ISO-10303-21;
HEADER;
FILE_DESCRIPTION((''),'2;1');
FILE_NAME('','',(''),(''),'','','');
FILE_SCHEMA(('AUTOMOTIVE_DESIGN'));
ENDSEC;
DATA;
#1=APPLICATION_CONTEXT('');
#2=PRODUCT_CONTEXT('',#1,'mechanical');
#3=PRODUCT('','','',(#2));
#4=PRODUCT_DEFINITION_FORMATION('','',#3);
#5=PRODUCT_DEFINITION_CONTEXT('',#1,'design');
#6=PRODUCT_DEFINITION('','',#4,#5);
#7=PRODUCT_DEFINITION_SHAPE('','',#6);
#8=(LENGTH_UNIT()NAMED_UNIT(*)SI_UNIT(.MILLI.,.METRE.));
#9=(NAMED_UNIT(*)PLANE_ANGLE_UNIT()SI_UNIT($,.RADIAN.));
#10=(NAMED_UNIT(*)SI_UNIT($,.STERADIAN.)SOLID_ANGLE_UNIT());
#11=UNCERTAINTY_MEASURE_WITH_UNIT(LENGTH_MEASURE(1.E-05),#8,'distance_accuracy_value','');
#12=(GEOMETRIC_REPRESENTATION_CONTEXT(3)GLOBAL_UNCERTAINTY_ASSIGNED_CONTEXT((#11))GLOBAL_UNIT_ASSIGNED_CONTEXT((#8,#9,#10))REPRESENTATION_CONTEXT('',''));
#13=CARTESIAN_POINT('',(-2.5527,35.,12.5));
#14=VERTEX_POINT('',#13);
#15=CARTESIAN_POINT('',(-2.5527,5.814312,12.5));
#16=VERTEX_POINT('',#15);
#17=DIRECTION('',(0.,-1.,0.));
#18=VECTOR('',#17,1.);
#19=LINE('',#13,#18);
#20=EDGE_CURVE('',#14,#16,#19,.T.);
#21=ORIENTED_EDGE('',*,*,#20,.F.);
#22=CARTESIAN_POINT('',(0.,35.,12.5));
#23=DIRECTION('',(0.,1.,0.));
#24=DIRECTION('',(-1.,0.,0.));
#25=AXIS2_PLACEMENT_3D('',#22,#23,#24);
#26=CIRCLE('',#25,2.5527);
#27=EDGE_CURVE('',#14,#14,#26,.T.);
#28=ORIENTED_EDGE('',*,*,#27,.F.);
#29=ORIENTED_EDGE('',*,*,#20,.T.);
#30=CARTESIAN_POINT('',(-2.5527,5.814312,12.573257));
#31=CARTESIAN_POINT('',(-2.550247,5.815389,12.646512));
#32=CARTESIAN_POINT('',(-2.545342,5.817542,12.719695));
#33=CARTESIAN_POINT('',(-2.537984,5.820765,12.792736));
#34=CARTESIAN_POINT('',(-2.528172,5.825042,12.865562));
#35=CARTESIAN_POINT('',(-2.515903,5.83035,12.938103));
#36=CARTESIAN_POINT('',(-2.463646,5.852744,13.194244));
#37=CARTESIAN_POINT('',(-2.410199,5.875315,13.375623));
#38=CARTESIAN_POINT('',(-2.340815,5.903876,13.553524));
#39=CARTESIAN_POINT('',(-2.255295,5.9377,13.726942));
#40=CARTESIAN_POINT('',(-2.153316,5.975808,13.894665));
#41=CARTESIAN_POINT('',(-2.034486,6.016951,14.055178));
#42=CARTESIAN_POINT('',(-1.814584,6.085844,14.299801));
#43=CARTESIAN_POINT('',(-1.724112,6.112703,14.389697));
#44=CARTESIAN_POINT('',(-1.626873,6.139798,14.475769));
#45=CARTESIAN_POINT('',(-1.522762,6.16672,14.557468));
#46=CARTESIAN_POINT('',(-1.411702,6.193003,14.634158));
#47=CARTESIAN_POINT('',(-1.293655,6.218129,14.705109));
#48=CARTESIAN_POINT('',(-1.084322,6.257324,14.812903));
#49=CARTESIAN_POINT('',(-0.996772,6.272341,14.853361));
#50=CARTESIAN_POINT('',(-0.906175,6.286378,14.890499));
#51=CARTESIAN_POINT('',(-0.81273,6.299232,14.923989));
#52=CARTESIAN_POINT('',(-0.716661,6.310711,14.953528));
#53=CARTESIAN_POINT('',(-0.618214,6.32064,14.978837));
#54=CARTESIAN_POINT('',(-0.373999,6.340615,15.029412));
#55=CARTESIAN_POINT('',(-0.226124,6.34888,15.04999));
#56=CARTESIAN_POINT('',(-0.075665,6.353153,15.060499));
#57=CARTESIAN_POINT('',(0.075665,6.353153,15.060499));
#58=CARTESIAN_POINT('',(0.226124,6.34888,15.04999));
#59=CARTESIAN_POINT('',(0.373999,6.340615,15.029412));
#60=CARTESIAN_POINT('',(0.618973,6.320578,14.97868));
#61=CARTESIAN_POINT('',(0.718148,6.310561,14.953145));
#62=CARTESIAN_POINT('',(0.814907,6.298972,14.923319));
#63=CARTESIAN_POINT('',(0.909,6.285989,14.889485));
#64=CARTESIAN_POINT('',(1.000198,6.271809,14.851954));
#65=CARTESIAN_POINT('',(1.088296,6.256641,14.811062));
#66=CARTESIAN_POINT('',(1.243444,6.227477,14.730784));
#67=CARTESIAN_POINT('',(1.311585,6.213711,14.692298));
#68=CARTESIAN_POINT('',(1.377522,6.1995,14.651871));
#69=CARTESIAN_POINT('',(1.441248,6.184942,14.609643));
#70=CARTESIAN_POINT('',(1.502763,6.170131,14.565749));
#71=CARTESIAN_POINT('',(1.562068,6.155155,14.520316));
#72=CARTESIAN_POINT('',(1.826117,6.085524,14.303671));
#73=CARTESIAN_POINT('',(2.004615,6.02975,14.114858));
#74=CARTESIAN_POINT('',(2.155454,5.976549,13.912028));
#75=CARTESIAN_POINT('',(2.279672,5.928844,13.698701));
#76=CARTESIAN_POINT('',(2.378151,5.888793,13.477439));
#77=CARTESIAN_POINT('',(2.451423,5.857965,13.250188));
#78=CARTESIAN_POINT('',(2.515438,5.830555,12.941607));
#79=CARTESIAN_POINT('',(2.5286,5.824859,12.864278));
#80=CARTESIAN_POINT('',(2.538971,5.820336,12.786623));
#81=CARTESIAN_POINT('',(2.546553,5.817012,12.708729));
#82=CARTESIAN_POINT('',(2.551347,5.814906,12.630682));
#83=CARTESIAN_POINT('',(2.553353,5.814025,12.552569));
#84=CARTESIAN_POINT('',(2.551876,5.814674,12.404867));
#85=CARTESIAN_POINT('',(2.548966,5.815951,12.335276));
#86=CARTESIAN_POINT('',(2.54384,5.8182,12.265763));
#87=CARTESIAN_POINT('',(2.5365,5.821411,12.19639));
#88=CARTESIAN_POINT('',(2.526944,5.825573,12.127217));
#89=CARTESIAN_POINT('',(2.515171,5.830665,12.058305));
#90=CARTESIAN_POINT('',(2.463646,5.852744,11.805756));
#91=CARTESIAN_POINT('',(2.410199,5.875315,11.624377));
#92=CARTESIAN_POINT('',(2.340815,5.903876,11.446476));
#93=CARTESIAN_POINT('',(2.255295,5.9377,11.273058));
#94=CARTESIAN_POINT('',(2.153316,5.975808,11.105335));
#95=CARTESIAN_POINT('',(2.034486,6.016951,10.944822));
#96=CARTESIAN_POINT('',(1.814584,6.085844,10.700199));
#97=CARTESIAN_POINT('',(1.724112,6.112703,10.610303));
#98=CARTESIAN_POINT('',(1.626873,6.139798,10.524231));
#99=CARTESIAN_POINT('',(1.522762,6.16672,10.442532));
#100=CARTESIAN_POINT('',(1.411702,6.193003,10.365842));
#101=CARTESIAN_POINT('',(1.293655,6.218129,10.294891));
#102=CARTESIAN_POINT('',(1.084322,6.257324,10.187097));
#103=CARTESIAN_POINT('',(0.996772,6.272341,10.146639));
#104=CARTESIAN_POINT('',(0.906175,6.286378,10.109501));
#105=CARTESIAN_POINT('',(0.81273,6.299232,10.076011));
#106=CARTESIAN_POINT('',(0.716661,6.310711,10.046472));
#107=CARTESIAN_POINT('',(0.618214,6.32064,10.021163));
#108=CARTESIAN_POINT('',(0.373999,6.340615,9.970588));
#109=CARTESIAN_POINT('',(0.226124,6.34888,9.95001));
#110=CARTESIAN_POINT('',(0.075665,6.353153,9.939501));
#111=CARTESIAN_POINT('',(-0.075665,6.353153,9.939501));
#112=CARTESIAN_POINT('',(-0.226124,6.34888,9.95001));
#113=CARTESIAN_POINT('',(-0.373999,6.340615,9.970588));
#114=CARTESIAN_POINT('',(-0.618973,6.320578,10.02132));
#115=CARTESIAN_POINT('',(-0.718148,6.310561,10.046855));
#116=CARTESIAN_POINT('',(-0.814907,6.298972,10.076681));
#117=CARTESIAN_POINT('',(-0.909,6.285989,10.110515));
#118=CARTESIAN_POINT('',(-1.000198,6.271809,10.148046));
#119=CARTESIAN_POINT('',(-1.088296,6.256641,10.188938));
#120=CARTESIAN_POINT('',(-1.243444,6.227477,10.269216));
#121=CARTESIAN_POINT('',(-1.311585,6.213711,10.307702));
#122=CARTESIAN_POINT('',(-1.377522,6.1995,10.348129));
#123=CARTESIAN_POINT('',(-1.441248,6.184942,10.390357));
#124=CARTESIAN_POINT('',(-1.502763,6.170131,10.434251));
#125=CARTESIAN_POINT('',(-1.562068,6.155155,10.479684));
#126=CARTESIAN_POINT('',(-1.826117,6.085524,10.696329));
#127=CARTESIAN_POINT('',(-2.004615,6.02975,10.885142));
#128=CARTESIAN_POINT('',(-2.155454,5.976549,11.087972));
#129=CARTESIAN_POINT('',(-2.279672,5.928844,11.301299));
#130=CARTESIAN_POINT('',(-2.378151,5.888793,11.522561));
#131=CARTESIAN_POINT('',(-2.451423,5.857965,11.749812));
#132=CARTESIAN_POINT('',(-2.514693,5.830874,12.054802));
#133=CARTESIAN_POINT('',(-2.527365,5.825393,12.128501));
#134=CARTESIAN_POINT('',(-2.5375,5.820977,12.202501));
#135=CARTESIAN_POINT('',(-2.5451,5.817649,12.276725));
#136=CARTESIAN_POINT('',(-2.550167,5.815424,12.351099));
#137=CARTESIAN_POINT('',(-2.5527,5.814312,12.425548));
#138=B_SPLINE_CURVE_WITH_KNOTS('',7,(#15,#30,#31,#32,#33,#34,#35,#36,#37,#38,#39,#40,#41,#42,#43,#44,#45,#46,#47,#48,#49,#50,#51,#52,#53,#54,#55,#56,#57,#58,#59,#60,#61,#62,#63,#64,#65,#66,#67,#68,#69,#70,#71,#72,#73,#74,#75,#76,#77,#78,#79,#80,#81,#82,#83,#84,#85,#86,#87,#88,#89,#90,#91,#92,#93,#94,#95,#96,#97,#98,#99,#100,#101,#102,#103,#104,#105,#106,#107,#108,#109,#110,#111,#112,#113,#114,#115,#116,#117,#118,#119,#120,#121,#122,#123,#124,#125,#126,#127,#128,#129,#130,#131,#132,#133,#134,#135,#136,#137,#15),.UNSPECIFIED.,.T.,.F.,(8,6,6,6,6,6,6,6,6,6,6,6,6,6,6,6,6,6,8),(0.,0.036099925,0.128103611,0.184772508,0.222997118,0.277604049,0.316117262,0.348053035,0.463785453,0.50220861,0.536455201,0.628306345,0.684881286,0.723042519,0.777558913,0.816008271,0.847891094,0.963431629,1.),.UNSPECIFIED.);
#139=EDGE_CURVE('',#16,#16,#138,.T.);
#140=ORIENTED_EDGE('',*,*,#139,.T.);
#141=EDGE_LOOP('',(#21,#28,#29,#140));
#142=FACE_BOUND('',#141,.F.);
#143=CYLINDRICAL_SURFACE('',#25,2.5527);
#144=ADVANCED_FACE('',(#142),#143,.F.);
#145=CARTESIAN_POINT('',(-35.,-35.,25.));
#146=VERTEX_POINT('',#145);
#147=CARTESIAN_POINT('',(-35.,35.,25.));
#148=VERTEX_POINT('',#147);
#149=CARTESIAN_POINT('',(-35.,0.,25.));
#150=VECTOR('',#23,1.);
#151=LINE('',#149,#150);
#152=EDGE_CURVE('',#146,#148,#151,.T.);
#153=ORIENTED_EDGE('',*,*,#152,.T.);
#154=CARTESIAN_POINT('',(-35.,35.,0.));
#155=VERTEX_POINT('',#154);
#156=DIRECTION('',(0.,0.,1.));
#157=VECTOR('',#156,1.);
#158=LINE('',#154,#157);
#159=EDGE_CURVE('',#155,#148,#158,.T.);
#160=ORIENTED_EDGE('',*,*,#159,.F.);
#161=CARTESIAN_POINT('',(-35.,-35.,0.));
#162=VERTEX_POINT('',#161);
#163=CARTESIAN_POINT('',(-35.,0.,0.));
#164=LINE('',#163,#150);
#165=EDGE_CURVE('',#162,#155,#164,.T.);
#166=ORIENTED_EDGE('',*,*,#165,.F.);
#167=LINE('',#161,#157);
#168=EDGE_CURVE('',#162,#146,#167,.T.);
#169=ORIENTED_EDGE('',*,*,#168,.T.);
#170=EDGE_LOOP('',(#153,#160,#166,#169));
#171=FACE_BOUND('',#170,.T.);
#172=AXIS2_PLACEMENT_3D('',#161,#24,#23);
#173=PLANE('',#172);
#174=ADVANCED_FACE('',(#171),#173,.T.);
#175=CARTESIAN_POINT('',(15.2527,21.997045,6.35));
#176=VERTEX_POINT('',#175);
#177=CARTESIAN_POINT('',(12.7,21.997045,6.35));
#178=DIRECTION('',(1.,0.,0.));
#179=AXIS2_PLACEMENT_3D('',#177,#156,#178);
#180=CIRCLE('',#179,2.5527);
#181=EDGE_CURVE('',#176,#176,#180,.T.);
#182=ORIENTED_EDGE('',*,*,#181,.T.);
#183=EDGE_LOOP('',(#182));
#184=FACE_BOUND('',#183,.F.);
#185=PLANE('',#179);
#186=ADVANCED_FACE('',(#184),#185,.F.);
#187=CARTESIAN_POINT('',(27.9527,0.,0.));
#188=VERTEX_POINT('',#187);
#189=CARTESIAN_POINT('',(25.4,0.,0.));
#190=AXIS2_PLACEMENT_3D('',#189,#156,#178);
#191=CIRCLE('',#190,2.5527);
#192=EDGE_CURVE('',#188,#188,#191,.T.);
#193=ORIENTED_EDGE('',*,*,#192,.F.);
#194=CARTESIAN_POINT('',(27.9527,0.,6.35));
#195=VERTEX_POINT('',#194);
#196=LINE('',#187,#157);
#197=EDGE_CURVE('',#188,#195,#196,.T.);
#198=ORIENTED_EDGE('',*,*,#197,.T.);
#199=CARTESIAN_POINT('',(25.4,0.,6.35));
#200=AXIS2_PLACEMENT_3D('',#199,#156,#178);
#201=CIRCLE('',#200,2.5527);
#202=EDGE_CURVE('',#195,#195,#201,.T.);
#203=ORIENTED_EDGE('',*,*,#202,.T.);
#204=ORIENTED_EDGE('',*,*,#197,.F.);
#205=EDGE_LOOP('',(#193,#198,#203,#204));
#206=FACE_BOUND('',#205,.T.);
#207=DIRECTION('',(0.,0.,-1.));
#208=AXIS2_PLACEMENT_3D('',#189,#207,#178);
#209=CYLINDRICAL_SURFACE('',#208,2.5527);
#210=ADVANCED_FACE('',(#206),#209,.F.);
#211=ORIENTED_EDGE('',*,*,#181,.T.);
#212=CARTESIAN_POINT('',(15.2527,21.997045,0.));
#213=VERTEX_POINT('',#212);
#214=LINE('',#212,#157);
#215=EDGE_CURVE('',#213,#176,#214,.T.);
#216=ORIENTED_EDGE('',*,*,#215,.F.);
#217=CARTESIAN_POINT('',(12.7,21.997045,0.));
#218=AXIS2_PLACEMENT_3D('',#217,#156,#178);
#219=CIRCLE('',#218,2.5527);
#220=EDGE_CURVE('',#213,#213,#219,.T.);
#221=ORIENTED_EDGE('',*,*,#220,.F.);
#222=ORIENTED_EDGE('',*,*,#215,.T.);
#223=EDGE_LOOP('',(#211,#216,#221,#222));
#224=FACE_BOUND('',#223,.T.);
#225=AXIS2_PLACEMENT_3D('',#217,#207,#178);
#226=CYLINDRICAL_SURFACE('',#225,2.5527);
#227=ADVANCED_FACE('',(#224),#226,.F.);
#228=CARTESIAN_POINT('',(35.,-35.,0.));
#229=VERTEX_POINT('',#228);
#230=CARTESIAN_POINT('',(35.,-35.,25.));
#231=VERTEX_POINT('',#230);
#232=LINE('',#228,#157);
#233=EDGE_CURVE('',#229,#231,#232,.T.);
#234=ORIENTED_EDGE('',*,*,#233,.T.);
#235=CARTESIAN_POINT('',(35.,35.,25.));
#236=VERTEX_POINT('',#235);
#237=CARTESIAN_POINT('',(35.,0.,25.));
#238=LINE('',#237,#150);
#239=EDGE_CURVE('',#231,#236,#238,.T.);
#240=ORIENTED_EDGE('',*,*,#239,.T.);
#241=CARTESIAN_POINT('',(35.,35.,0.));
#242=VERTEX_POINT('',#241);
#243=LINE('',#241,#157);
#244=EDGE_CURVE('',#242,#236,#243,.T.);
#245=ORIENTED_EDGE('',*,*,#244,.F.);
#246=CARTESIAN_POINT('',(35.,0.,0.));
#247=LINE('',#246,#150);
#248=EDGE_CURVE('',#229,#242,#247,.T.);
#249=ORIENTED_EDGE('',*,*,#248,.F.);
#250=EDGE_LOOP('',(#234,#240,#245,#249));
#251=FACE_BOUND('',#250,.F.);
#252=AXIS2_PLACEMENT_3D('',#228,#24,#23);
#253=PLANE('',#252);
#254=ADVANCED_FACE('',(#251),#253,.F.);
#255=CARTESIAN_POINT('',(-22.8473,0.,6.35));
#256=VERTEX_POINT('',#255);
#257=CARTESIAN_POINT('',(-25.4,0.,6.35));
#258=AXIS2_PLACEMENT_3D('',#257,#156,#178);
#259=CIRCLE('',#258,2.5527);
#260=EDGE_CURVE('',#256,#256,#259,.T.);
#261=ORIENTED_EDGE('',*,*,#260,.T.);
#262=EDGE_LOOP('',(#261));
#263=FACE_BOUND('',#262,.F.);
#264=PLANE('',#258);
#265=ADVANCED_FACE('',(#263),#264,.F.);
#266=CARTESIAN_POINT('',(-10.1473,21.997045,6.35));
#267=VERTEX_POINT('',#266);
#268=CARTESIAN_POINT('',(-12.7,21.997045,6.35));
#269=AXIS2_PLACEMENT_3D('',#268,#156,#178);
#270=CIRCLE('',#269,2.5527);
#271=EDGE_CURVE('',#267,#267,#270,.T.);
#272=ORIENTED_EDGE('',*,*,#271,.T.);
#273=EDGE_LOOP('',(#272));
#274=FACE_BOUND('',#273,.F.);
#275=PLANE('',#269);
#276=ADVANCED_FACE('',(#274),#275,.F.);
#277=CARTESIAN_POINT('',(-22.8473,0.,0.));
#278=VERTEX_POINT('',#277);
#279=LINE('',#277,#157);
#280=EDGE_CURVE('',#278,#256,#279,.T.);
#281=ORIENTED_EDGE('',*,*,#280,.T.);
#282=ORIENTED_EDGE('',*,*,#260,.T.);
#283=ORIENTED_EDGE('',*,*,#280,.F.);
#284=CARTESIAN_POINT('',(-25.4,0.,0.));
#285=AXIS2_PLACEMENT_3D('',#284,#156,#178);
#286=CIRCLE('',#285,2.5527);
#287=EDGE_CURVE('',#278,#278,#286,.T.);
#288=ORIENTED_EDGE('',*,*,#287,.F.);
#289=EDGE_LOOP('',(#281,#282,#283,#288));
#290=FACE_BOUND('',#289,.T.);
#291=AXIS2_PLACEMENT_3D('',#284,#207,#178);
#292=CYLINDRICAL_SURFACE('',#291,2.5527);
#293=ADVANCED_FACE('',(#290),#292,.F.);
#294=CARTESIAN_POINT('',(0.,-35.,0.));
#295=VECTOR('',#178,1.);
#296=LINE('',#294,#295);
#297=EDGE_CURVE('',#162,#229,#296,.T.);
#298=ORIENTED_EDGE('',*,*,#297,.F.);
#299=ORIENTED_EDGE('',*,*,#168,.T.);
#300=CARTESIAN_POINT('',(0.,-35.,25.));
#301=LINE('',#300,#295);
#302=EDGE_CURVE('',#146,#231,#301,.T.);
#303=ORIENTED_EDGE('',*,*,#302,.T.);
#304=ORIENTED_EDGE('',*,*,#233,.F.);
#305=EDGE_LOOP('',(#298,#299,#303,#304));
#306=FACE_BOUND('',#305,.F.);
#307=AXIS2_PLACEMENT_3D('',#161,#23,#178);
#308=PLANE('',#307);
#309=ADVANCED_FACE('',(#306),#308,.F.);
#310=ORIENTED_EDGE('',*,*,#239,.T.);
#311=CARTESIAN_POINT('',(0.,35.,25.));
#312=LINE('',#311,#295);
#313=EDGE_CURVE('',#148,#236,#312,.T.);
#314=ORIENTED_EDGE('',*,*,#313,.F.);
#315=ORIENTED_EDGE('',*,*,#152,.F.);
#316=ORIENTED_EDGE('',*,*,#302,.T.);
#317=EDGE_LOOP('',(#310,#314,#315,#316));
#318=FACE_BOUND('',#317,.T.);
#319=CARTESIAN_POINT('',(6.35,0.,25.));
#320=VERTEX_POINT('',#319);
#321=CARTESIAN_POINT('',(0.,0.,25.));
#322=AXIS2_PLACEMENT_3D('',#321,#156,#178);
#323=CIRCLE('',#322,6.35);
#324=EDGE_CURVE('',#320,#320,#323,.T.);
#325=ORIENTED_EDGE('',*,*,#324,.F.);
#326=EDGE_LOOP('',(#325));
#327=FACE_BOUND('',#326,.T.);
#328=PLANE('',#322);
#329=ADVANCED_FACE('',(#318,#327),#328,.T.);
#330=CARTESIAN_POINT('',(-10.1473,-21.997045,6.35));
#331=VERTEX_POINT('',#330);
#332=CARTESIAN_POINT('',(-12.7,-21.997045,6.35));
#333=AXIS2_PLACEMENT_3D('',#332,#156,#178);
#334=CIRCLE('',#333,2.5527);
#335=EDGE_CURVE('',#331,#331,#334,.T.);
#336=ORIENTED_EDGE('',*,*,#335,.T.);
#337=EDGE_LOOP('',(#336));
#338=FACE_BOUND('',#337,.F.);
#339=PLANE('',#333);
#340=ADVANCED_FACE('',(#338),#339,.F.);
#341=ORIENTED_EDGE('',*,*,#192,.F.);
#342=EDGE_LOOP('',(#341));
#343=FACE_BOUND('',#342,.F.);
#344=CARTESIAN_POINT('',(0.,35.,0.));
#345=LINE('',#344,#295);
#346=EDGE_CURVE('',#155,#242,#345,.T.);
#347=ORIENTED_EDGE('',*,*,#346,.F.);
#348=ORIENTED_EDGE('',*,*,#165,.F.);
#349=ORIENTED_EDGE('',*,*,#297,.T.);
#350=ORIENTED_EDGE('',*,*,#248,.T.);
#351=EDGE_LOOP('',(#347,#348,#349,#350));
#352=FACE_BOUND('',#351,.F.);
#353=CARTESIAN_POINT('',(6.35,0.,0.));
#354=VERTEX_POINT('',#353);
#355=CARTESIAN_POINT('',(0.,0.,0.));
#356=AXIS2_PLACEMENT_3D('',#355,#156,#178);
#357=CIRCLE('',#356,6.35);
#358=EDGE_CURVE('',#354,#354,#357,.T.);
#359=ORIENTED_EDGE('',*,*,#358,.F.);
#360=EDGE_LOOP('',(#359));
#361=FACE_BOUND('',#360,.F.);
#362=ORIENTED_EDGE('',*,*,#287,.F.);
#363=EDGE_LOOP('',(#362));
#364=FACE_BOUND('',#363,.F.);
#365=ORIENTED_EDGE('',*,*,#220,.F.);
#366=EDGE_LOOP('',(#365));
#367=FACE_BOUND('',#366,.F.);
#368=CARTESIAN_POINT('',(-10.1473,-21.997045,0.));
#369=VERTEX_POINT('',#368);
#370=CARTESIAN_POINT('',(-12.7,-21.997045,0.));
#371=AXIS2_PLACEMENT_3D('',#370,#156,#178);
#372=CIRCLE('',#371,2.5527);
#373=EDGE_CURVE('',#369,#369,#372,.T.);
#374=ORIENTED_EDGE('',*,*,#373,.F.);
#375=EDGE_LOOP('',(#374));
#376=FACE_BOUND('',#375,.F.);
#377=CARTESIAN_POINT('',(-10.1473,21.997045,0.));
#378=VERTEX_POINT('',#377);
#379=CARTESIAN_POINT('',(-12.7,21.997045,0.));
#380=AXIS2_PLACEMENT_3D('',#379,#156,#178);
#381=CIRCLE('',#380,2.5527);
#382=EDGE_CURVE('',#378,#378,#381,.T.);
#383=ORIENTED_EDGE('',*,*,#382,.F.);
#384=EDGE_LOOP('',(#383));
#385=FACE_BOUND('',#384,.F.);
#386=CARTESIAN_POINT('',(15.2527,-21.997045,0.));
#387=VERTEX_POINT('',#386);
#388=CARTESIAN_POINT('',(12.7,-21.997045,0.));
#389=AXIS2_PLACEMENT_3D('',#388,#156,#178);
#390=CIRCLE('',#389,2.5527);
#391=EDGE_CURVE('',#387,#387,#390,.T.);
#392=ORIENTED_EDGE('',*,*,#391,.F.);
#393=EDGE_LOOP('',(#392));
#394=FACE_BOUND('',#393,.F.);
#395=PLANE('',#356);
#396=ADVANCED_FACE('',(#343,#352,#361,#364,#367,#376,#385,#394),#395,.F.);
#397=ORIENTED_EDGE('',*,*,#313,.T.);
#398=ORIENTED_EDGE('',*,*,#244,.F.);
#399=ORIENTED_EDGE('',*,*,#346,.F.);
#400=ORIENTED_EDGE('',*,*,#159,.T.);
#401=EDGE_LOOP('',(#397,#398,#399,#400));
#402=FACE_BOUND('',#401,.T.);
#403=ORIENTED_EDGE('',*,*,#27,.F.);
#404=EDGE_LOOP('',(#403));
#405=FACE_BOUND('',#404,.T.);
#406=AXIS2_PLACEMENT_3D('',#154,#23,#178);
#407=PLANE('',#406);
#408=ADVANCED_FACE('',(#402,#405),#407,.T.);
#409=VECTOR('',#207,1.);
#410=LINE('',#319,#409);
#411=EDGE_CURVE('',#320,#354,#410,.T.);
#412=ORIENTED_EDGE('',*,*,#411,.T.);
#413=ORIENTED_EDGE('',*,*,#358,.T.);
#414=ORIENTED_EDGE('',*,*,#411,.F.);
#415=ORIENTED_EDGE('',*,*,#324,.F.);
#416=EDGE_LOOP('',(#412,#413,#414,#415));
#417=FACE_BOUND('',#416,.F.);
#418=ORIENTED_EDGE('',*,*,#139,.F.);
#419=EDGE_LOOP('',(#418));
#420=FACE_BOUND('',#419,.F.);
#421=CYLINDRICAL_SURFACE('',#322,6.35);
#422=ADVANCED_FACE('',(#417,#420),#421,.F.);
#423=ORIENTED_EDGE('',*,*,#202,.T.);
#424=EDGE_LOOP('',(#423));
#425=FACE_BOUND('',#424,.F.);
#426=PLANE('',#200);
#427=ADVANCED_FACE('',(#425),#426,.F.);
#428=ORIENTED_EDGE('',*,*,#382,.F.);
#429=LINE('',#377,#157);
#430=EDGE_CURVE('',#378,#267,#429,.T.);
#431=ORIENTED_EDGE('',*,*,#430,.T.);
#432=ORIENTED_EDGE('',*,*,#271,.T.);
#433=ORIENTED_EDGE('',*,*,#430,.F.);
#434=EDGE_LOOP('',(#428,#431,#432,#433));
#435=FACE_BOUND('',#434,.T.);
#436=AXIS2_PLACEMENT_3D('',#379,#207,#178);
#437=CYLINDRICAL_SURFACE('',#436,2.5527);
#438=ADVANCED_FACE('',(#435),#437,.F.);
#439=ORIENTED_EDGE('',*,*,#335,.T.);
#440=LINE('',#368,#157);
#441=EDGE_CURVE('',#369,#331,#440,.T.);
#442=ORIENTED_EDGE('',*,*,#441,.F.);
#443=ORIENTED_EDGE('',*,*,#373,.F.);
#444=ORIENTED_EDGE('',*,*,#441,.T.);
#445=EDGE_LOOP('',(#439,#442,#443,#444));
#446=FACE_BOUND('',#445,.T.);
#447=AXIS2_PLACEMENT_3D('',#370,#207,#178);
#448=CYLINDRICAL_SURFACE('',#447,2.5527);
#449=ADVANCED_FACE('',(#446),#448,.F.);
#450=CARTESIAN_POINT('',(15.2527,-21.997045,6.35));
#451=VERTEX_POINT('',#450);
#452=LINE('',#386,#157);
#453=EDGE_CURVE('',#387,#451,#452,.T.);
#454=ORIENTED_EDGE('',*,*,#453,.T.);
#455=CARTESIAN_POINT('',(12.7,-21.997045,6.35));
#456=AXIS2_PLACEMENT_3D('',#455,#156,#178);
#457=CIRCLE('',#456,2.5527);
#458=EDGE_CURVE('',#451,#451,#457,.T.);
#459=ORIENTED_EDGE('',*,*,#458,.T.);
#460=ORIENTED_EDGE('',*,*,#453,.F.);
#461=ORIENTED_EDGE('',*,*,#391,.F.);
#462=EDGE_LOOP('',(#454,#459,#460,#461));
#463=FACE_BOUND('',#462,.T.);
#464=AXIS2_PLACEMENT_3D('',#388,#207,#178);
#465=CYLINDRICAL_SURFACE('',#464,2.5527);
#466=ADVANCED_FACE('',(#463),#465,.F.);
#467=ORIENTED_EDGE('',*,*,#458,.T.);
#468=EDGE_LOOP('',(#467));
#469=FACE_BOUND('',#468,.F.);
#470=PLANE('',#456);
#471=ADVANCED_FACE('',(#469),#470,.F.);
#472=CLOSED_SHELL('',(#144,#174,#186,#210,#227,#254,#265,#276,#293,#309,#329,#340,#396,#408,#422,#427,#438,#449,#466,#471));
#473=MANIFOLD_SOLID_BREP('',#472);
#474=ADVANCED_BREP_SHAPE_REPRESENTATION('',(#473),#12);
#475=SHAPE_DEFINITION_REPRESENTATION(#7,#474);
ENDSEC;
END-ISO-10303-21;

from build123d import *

# Parameters (mm, degrees)
F0_W     = 70
F0_H     = 70
F1_DEPTH = 25
F2_R     = 2.5527
F3_DEPTH = 6.35
F4_R     = 6.35
F5_DEPTH = 25
F6_R     = 2.5527
F7_DEPTH = 30.1856882138


with BuildPart() as f1:
    # F0 (on Top) → F1 (new body)
    with BuildSketch(Plane.XY):
        Rectangle(F0_W, F0_H)
    extrude(amount=F1_DEPTH)

    # F2 (on Top) → F3 (cut)
    with BuildSketch(Plane.XY):
        Circle(F2_R)
        with Locations((-25.4, 0)):
            Circle(F2_R)
        with Locations((-12.7, -21.9970452561)):
            Circle(F2_R)
        with Locations((12.7, -21.9970452561)):
            Circle(F2_R)
        with Locations((25.4, 0)):
            Circle(F2_R)
        with Locations((12.7, 21.9970452561)):
            Circle(F2_R)
        with Locations((-12.7, 21.9970452561)):
            Circle(F2_R)
    extrude(amount=F3_DEPTH, mode=Mode.SUBTRACT)

    # F4 (on face) → F5 (cut, through all)
    with BuildSketch(Plane.XY.offset(25)):
        Circle(F4_R)
    extrude(amount=-F5_DEPTH, mode=Mode.SUBTRACT)

    # F6 (on face) → F7 (cut, up to face)
    with BuildSketch(Plane(origin=(0, 35, 0), x_dir=(-1, 0, 0), z_dir=(0, 1, 0))):
        with Locations((0, 12.5)):
            Circle(F6_R)
    extrude(amount=-F7_DEPTH, mode=Mode.SUBTRACT)


solid = f1.part
